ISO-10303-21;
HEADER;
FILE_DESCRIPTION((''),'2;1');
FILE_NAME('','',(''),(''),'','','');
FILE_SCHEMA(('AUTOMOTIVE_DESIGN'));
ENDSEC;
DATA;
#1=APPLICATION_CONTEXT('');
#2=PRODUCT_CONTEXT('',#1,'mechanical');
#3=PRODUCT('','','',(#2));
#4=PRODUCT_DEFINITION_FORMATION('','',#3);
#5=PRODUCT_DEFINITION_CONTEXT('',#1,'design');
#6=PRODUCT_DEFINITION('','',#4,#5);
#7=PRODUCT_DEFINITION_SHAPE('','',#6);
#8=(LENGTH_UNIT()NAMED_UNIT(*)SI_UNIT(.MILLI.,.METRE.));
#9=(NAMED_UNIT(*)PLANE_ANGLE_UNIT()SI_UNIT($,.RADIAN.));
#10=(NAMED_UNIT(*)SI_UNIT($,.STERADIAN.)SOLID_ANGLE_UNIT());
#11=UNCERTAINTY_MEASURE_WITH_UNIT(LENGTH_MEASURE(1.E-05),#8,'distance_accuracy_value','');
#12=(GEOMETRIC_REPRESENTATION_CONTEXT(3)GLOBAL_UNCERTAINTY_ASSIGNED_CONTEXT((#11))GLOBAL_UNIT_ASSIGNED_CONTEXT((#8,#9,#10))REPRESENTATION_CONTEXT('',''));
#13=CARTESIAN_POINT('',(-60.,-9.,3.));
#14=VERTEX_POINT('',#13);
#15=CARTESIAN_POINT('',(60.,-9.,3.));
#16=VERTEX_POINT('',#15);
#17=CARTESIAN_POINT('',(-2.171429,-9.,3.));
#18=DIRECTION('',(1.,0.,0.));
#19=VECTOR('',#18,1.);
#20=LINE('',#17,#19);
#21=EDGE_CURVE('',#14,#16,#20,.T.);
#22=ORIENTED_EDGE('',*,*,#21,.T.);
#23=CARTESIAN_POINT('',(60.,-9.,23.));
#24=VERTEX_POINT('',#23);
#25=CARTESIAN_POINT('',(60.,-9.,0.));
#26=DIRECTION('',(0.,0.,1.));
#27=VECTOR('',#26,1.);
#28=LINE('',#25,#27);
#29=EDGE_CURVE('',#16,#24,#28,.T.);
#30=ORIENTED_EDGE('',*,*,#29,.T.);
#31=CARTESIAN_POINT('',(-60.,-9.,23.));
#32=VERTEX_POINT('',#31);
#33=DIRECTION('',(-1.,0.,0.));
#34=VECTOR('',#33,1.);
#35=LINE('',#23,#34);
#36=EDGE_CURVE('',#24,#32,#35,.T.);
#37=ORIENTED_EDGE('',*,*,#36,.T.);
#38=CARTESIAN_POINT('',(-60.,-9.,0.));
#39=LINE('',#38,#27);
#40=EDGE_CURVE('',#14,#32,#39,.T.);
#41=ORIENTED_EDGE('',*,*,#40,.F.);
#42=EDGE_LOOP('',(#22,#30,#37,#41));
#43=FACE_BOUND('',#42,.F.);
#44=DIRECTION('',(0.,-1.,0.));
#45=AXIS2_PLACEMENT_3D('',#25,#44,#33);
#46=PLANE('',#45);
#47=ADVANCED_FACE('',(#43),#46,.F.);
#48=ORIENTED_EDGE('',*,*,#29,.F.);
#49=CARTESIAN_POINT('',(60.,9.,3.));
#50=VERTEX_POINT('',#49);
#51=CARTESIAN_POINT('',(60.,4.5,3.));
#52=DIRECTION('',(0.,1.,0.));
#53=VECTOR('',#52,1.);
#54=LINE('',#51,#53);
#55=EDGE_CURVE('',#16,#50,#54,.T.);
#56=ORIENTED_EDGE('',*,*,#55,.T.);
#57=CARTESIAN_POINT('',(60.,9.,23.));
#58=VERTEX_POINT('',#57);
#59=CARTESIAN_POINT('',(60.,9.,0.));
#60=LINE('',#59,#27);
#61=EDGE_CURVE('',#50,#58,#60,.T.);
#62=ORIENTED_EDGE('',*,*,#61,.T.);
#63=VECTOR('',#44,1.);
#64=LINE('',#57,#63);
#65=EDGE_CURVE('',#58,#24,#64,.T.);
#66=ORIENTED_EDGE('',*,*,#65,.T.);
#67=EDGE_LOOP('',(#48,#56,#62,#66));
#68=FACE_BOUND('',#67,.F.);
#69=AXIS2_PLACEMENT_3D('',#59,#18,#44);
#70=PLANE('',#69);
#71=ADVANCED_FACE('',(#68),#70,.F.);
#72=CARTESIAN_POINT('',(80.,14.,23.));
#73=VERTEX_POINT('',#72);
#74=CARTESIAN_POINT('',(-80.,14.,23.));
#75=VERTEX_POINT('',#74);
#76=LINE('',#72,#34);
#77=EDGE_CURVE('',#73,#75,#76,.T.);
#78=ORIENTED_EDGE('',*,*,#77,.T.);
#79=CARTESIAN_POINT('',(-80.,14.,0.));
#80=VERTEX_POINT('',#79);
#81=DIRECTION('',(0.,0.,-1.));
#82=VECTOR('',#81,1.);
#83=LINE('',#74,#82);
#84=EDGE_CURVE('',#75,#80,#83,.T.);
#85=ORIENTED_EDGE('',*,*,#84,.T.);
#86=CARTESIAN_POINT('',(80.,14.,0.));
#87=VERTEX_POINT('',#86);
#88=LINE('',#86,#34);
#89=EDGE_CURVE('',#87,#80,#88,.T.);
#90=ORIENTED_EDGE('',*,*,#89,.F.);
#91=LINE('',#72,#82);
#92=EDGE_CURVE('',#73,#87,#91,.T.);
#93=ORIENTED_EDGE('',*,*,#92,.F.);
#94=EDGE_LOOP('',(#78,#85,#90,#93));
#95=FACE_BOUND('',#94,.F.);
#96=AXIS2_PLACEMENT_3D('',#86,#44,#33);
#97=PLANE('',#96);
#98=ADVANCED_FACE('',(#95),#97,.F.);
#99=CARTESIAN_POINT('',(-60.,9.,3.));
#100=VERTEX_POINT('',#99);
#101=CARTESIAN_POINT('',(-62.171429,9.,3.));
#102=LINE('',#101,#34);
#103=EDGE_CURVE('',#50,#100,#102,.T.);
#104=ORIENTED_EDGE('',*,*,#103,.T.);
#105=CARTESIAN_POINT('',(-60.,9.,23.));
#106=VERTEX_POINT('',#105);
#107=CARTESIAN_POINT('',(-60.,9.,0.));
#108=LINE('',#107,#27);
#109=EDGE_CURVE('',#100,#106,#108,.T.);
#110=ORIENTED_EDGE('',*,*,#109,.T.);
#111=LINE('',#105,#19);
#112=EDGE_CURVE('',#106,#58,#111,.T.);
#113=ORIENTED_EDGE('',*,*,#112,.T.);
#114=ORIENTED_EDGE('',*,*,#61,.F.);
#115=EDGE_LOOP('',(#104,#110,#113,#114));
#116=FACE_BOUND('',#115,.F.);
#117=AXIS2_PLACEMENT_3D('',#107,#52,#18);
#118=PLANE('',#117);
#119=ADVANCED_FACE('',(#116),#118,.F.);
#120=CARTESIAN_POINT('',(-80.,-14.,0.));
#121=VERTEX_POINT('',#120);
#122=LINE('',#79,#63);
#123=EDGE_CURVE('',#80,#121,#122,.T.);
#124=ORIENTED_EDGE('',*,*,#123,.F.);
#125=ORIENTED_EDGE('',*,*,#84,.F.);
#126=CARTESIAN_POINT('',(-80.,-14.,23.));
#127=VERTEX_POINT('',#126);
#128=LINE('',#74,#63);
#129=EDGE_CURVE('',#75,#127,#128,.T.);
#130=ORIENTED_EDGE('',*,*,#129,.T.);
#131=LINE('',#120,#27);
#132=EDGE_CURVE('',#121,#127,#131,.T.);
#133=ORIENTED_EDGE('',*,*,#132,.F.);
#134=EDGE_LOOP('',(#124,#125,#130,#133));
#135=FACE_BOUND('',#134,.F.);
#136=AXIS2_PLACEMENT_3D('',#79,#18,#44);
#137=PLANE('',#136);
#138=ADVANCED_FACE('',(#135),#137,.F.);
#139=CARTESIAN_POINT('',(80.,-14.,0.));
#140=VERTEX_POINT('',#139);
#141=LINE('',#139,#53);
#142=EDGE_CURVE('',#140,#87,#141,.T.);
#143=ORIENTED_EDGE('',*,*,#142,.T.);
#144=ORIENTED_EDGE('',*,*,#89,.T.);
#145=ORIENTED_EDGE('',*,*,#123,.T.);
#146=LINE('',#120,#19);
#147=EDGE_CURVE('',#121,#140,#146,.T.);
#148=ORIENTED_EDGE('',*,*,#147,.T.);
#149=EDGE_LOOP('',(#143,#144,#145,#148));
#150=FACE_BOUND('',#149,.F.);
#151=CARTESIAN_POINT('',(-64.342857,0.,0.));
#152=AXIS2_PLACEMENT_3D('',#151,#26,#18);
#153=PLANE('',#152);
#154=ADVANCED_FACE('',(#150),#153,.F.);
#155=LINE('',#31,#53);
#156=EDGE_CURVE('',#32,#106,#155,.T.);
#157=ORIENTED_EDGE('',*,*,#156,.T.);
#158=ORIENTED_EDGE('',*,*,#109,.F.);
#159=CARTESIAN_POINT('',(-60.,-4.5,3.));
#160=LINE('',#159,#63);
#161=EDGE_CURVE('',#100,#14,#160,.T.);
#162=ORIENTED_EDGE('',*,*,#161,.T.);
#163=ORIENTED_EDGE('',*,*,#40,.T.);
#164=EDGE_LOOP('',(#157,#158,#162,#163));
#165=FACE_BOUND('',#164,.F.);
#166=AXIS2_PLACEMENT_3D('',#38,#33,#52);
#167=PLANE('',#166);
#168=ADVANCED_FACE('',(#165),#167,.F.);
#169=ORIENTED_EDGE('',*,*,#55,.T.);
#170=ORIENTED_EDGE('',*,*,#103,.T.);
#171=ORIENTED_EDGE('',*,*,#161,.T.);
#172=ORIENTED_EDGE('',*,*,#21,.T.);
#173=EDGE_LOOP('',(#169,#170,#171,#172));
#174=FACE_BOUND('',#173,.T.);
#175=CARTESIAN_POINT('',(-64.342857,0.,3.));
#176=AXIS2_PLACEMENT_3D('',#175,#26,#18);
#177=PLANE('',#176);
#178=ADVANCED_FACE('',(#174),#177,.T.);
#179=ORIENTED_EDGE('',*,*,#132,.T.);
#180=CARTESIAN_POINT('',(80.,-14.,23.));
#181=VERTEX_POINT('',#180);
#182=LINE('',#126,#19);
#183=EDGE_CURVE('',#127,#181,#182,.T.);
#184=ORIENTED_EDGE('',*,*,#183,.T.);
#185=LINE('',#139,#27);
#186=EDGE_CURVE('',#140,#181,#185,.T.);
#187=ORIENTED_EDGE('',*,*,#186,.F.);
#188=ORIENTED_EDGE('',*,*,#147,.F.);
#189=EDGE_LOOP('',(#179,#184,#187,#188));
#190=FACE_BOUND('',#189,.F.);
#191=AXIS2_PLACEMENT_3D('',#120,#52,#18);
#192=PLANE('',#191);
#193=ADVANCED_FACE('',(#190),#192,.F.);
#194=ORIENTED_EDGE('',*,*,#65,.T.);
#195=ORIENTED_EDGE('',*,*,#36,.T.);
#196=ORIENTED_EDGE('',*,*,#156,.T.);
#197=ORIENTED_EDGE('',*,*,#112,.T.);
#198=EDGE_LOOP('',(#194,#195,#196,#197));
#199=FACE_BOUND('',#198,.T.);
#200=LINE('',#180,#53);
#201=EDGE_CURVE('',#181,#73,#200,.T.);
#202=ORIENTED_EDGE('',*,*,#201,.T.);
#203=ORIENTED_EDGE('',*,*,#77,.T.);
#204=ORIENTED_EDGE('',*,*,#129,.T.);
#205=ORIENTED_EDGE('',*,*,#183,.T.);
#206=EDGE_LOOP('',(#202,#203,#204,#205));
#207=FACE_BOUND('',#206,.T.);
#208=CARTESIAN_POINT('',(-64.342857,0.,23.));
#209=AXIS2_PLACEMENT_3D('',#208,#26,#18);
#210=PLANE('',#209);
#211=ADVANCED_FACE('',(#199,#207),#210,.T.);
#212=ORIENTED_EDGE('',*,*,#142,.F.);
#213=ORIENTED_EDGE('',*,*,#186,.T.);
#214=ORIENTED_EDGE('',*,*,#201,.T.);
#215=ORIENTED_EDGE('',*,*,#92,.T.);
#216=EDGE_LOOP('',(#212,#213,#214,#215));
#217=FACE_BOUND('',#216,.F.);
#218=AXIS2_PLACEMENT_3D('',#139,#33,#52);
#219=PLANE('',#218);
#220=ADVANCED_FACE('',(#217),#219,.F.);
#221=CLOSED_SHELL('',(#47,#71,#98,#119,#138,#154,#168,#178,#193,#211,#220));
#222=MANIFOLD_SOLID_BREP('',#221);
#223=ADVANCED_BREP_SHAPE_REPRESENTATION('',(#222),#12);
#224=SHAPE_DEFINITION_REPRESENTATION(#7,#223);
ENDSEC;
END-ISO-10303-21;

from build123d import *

# Parameters (mm, degrees)
F0_W     = 98
F0_H     = 5
F0_H_2   = 18
F0_W_2   = 11
F1_DEPTH = 3
F2_DEPTH = 23


with BuildPart() as f1:
    # F0 (on Top) → F1 (new body)
    with BuildSketch(Plane.XY):
        Polygon((-80, -14), (-49, -14), (-49, -9), (-60, -9), (-60, 9), (-49, 9), (-49, 14), (-80, 14), align=None)
        with Locations((0, 11.5)):
            Rectangle(F0_W, F0_H)
        Rectangle(F0_W, F0_H_2)
        with Locations((-54.5, 0)):
            Rectangle(F0_W_2, F0_H_2)
        with Locations((0, -11.5)):
            Rectangle(F0_W, F0_H)
        Polygon((49, -14), (80, -14), (80, 14), (49, 14), (49, 9), (60, 9), (60, -9), (49, -9), align=None)
        with Locations((54.5, 0)):
            Rectangle(F0_W_2, F0_H_2)
    extrude(amount=F1_DEPTH)

    # F0 (on Top) → F2 (join)
    with BuildSketch(Plane.XY):
        Polygon((-80, -14), (-49, -14), (-49, -9), (-60, -9), (-60, 9), (-49, 9), (-49, 14), (-80, 14), align=None)
        with Locations((0, 11.5)):
            Rectangle(F0_W, F0_H)
        with Locations((0, -11.5)):
            Rectangle(F0_W, F0_H)
        Polygon((49, -14), (80, -14), (80, 14), (49, 14), (49, 9), (60, 9), (60, -9), (49, -9), align=None)
    extrude(amount=F2_DEPTH)


solid = f1.part
